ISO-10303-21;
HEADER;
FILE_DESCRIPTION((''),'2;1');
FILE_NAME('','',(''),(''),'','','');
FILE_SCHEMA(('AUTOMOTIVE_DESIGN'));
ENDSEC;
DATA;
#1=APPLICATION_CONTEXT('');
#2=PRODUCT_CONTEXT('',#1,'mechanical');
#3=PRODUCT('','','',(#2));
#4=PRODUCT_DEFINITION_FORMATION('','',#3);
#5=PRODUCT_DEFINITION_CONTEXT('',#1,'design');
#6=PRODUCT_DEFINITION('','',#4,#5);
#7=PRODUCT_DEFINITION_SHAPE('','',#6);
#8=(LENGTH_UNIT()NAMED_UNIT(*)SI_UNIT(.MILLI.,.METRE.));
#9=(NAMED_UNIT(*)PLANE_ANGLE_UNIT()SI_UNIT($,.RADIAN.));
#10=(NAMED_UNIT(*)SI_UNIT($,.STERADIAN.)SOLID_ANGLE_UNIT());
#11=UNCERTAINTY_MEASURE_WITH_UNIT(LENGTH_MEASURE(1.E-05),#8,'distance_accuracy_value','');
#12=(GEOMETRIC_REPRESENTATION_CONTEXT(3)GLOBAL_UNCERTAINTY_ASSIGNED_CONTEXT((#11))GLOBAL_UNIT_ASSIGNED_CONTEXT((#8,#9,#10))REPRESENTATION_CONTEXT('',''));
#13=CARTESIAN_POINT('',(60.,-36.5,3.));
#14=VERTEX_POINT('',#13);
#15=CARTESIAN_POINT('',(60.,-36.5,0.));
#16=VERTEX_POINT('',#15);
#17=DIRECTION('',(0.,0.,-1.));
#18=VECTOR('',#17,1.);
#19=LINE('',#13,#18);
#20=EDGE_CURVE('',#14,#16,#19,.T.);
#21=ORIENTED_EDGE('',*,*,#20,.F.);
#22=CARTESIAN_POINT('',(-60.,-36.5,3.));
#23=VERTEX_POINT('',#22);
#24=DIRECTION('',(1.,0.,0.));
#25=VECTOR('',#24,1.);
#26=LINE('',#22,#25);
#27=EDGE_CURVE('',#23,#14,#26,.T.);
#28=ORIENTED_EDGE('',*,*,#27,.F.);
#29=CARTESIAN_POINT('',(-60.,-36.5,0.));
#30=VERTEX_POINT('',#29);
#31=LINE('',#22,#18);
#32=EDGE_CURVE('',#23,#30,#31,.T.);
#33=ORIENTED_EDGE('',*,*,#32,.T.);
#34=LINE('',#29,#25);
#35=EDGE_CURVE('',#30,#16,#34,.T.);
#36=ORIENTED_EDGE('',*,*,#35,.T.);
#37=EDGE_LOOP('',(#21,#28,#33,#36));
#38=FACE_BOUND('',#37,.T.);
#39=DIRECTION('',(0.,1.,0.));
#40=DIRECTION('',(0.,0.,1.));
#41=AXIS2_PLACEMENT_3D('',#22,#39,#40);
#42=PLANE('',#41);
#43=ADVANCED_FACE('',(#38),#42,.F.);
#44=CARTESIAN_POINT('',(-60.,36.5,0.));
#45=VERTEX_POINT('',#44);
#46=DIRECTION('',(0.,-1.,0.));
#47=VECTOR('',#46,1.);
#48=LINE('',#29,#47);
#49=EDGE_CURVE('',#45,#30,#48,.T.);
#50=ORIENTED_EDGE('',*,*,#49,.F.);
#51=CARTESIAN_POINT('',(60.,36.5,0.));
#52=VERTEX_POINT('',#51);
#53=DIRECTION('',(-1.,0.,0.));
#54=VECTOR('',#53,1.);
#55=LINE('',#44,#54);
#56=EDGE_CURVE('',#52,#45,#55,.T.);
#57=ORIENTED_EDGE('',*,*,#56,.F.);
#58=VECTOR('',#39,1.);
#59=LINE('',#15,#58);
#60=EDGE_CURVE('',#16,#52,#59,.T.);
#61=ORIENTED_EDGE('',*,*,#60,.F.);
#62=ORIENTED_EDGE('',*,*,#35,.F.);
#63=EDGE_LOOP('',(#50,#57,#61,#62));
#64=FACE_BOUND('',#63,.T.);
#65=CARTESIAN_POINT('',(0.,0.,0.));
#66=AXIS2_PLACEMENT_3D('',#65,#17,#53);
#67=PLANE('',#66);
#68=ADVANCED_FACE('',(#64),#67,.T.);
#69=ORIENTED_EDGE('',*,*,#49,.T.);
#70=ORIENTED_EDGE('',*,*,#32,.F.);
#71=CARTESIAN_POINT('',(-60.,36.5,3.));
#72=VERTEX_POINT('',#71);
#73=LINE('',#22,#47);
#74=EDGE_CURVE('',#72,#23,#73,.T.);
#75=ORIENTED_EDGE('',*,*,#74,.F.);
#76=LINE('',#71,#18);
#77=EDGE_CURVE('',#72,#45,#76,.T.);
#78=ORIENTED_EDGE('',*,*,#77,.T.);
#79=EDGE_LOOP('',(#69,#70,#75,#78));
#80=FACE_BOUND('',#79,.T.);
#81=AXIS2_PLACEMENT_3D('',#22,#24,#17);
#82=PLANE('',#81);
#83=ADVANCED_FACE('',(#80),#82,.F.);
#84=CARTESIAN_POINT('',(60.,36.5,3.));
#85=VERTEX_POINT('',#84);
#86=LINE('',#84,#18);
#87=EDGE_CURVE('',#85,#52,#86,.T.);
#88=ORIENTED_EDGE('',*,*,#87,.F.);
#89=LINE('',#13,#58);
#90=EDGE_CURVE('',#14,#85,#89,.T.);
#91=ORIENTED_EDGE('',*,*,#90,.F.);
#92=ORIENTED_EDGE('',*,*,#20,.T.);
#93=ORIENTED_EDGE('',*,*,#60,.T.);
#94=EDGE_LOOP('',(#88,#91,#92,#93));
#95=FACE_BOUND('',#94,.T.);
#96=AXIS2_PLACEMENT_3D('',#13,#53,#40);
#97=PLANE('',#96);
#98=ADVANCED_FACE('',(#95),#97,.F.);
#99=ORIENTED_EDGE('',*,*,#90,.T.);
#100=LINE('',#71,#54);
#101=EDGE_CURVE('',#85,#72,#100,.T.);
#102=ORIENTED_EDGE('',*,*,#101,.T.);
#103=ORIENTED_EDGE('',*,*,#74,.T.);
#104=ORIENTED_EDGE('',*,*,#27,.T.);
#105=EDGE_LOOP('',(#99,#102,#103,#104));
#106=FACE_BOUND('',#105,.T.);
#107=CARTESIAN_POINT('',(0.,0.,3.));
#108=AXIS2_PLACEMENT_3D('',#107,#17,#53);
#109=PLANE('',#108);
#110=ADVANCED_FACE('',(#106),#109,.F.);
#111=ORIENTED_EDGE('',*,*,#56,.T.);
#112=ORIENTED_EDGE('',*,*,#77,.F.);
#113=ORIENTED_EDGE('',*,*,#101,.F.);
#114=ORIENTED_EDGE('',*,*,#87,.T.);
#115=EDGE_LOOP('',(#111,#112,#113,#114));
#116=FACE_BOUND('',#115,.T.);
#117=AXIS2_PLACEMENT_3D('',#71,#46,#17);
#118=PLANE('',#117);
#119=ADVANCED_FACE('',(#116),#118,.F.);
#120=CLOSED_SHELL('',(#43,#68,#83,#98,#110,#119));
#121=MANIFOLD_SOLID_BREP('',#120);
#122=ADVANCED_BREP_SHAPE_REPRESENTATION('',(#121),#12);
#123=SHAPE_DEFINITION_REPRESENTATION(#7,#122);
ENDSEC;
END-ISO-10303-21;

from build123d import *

# Parameters (mm, degrees)
SKETCH_1_W      = 120
SKETCH_1_H      = 73
EXTRUDE_1_DEPTH = 3


with BuildPart() as part:
    # 草图1 → 凸台-拉伸1 (new body)
    with BuildSketch(Plane.XY):
        Rectangle(SKETCH_1_W, SKETCH_1_H)
    extrude(amount=EXTRUDE_1_DEPTH)


solid = part.part
